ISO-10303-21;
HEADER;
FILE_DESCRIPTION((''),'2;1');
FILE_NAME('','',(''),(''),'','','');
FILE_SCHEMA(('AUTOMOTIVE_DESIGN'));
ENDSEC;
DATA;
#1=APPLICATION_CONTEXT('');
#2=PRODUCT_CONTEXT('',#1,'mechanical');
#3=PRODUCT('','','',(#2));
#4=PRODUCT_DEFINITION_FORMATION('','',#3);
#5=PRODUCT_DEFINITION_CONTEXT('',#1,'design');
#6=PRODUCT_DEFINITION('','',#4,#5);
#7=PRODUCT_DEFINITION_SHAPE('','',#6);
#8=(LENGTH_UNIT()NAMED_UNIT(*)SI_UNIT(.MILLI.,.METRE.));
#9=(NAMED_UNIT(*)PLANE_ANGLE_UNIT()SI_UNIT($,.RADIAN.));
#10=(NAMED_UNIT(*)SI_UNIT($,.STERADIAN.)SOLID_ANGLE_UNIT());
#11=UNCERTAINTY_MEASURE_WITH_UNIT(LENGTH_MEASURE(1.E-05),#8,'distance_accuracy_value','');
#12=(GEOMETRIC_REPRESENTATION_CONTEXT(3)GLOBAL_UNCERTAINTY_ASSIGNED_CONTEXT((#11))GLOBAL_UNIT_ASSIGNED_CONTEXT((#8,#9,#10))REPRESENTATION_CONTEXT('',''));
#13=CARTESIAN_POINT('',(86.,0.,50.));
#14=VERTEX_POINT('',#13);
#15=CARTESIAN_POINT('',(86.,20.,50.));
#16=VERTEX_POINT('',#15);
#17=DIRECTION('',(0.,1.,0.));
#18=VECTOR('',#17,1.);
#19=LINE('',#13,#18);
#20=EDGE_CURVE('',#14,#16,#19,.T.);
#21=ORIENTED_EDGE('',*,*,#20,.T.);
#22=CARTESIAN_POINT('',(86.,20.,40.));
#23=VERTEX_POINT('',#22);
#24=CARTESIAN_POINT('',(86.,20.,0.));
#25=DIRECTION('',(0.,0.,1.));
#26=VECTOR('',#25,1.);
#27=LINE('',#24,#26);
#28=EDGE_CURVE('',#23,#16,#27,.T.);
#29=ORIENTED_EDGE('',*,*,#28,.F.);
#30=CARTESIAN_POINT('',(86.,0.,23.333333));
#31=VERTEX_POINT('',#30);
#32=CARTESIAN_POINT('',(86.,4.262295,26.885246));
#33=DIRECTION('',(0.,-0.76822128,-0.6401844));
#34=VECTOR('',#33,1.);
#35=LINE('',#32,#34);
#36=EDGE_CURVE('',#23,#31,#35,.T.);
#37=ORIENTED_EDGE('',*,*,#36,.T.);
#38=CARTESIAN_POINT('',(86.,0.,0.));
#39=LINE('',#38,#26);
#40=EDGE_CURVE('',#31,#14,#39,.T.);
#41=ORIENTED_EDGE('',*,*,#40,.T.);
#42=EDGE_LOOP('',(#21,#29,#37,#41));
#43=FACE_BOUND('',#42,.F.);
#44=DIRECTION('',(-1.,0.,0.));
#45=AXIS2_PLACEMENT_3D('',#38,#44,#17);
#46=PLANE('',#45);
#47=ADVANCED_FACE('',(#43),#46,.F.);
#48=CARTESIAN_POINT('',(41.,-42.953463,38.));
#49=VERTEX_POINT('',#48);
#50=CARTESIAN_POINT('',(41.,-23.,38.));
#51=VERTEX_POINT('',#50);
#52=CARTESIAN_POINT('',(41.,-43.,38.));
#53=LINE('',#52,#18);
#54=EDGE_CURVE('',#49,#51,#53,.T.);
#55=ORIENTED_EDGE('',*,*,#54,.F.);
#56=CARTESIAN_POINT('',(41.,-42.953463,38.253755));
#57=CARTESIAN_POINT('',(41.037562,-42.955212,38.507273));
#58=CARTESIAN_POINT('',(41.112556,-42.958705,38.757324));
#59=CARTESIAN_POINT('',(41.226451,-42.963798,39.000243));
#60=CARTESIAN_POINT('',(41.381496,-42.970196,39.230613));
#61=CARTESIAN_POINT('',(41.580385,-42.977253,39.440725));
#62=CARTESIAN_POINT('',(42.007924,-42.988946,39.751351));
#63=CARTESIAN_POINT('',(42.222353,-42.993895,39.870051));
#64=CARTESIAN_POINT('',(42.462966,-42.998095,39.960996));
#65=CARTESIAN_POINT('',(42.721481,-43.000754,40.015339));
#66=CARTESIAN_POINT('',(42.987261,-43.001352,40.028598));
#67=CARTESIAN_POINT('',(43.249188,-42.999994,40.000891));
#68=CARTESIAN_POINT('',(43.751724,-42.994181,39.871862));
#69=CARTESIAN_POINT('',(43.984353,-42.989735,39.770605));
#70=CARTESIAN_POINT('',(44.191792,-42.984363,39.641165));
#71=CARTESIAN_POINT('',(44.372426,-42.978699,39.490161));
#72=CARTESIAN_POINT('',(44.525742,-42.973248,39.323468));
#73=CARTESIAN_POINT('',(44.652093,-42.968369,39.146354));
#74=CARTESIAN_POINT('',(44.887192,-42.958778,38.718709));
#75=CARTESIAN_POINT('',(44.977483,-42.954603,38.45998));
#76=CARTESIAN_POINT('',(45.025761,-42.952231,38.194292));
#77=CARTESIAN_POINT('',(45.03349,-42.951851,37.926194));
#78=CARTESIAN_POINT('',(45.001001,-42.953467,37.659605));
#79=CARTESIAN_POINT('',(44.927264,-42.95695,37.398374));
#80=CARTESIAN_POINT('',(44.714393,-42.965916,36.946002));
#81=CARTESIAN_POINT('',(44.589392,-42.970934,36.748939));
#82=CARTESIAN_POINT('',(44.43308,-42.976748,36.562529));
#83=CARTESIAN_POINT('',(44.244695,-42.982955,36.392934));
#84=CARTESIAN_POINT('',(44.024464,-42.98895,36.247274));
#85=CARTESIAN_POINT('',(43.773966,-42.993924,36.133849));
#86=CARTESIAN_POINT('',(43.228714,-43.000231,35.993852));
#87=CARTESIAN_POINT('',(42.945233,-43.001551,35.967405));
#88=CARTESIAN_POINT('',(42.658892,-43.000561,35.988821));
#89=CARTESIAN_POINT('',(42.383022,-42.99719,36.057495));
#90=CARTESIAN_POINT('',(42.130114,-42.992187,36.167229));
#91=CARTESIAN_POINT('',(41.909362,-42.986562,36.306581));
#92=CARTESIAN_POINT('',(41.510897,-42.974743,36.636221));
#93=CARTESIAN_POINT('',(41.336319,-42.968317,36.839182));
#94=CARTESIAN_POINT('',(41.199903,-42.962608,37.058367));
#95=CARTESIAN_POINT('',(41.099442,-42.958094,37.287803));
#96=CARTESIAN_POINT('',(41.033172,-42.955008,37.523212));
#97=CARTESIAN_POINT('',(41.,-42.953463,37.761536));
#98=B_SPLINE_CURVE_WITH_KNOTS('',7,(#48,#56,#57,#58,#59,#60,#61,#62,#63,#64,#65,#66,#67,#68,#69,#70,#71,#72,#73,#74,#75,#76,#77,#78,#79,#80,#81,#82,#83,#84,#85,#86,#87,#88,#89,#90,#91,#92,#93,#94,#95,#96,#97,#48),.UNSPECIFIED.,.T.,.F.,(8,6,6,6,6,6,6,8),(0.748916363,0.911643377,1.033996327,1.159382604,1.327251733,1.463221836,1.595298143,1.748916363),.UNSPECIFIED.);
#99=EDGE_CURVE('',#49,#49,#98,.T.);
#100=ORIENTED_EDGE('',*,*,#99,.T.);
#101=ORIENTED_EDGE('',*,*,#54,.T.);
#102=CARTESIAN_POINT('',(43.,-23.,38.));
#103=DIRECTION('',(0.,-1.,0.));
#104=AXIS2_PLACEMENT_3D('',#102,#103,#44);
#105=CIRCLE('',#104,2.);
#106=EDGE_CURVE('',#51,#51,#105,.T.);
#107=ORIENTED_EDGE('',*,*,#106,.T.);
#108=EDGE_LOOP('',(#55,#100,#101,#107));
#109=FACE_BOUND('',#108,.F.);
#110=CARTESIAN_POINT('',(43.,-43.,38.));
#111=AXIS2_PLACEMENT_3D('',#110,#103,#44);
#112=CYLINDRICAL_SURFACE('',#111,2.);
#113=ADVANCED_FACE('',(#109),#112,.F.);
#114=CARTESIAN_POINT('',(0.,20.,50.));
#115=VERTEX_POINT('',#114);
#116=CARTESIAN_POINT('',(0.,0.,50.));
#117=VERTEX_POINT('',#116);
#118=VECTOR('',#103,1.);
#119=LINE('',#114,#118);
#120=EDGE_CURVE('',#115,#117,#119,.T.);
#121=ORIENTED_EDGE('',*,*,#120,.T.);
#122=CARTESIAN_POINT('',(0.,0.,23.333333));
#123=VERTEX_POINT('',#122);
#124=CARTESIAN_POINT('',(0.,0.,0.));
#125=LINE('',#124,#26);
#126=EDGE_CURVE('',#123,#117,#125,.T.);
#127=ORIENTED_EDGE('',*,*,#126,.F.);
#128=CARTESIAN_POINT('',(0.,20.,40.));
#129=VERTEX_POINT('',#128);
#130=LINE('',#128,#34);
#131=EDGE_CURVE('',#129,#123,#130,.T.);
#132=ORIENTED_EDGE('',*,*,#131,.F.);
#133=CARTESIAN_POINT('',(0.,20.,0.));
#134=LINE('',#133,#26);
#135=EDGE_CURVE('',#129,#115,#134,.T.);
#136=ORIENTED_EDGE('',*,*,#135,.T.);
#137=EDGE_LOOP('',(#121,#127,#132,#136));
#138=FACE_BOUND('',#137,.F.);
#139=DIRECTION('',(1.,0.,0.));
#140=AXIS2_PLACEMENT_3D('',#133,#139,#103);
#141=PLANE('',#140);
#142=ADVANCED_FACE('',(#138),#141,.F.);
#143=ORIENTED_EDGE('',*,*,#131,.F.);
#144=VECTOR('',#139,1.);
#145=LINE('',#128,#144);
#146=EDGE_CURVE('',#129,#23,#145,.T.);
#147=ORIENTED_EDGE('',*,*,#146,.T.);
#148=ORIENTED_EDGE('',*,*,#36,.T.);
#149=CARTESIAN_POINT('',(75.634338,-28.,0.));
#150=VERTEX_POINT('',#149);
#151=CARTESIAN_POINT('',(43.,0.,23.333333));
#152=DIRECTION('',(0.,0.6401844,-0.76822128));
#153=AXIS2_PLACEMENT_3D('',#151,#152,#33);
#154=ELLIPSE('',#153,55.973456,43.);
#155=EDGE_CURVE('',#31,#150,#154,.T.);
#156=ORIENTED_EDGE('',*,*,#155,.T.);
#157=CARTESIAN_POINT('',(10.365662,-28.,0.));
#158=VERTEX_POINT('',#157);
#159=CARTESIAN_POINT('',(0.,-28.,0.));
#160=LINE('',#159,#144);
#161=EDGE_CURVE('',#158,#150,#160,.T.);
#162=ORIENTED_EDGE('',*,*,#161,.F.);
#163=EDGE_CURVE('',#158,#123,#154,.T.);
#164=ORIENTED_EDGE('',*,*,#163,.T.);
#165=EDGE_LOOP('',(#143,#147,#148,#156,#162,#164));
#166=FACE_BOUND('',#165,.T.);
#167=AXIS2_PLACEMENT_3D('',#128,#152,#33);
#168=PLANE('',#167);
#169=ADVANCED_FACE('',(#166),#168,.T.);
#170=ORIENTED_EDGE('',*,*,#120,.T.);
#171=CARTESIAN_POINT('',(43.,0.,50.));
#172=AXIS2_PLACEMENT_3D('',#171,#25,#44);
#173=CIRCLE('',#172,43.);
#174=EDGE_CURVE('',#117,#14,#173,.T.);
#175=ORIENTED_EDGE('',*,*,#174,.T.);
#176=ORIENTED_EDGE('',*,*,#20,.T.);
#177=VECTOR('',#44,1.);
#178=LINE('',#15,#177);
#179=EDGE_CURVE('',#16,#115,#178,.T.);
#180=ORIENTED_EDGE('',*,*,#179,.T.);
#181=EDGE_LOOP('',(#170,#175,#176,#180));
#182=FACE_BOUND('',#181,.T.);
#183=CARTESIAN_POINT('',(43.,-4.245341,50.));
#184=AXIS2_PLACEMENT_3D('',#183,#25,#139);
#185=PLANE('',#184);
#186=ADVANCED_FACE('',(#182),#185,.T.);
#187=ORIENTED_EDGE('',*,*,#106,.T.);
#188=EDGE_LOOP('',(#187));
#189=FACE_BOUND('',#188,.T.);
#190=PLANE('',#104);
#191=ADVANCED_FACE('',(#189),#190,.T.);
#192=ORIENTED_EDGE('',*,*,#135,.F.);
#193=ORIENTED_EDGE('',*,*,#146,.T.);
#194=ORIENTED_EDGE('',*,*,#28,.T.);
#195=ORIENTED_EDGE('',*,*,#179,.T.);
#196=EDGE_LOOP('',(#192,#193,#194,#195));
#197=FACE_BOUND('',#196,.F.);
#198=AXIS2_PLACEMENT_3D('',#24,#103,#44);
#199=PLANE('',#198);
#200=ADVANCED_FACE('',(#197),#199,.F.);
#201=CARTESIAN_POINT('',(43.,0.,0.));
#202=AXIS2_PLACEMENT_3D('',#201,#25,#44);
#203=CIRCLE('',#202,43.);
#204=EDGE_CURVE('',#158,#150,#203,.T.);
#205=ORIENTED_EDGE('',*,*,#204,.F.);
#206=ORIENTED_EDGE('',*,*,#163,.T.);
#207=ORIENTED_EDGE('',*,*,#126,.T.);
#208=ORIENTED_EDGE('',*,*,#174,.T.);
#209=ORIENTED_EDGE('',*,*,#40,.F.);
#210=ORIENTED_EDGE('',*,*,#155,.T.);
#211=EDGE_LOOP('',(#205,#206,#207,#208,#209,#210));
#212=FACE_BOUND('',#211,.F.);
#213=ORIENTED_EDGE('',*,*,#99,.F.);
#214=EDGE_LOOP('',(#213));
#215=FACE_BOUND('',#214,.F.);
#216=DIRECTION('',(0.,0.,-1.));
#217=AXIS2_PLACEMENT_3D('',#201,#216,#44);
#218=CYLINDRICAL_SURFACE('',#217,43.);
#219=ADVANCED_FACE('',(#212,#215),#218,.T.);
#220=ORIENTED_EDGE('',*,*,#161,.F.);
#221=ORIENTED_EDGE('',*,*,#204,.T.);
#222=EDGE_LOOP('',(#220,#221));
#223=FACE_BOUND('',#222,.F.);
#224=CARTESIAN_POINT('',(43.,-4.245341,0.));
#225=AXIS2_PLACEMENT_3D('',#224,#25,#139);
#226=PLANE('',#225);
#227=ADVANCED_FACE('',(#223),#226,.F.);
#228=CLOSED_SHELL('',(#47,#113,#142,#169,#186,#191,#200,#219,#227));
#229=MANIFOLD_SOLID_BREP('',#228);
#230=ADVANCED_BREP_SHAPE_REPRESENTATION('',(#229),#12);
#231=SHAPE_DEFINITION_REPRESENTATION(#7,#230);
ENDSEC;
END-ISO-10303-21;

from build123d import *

# Parameters (mm, degrees)
EXTRUDE_1_DEPTH          = 50
CUT_EXTRUDE_1_DEPTH      = 87
CUT_EXTRUDE_1_DEPTH_BACK = 1
SKETCH_3_R               = 2
CUT_EXTRUDE_2_DEPTH      = 20


with BuildPart() as part:
    # Эскиз1 → Бобышка-Вытянуть1 (new body)
    with BuildSketch(Plane.XY):
        with BuildLine():
            Line((0, 20), (0, 0))
            ThreePointArc((0, 0), (43, -43), (86, 0))
            Line((86, 0), (86, 20))
            Line((86, 20), (0, 20))
        make_face()
    extrude(amount=EXTRUDE_1_DEPTH)

    # Эскиз2 → Вырез-Вытянуть1 (cut, two sides)
    with BuildSketch(Plane(origin=(0, 0, 0), x_dir=(0, 0, -1), z_dir=(1, 0, 0))) as cut_extrude_1_sk:
        Polygon((-40, 20), (0, -28), (0, 20), align=None)
    extrude(amount=CUT_EXTRUDE_1_DEPTH, mode=Mode.SUBTRACT)
    extrude(cut_extrude_1_sk.sketch, amount=-CUT_EXTRUDE_1_DEPTH_BACK, mode=Mode.SUBTRACT)

    # Эскиз3 → Вырез-Вытянуть2 (cut)
    with BuildSketch(Plane(origin=(0, -43, 0), x_dir=(-1, 0, 0), z_dir=(0, -1, 0))):
        with Locations((-43, -38)):
            Circle(SKETCH_3_R)
    extrude(amount=-CUT_EXTRUDE_2_DEPTH, mode=Mode.SUBTRACT)


solid = part.part
